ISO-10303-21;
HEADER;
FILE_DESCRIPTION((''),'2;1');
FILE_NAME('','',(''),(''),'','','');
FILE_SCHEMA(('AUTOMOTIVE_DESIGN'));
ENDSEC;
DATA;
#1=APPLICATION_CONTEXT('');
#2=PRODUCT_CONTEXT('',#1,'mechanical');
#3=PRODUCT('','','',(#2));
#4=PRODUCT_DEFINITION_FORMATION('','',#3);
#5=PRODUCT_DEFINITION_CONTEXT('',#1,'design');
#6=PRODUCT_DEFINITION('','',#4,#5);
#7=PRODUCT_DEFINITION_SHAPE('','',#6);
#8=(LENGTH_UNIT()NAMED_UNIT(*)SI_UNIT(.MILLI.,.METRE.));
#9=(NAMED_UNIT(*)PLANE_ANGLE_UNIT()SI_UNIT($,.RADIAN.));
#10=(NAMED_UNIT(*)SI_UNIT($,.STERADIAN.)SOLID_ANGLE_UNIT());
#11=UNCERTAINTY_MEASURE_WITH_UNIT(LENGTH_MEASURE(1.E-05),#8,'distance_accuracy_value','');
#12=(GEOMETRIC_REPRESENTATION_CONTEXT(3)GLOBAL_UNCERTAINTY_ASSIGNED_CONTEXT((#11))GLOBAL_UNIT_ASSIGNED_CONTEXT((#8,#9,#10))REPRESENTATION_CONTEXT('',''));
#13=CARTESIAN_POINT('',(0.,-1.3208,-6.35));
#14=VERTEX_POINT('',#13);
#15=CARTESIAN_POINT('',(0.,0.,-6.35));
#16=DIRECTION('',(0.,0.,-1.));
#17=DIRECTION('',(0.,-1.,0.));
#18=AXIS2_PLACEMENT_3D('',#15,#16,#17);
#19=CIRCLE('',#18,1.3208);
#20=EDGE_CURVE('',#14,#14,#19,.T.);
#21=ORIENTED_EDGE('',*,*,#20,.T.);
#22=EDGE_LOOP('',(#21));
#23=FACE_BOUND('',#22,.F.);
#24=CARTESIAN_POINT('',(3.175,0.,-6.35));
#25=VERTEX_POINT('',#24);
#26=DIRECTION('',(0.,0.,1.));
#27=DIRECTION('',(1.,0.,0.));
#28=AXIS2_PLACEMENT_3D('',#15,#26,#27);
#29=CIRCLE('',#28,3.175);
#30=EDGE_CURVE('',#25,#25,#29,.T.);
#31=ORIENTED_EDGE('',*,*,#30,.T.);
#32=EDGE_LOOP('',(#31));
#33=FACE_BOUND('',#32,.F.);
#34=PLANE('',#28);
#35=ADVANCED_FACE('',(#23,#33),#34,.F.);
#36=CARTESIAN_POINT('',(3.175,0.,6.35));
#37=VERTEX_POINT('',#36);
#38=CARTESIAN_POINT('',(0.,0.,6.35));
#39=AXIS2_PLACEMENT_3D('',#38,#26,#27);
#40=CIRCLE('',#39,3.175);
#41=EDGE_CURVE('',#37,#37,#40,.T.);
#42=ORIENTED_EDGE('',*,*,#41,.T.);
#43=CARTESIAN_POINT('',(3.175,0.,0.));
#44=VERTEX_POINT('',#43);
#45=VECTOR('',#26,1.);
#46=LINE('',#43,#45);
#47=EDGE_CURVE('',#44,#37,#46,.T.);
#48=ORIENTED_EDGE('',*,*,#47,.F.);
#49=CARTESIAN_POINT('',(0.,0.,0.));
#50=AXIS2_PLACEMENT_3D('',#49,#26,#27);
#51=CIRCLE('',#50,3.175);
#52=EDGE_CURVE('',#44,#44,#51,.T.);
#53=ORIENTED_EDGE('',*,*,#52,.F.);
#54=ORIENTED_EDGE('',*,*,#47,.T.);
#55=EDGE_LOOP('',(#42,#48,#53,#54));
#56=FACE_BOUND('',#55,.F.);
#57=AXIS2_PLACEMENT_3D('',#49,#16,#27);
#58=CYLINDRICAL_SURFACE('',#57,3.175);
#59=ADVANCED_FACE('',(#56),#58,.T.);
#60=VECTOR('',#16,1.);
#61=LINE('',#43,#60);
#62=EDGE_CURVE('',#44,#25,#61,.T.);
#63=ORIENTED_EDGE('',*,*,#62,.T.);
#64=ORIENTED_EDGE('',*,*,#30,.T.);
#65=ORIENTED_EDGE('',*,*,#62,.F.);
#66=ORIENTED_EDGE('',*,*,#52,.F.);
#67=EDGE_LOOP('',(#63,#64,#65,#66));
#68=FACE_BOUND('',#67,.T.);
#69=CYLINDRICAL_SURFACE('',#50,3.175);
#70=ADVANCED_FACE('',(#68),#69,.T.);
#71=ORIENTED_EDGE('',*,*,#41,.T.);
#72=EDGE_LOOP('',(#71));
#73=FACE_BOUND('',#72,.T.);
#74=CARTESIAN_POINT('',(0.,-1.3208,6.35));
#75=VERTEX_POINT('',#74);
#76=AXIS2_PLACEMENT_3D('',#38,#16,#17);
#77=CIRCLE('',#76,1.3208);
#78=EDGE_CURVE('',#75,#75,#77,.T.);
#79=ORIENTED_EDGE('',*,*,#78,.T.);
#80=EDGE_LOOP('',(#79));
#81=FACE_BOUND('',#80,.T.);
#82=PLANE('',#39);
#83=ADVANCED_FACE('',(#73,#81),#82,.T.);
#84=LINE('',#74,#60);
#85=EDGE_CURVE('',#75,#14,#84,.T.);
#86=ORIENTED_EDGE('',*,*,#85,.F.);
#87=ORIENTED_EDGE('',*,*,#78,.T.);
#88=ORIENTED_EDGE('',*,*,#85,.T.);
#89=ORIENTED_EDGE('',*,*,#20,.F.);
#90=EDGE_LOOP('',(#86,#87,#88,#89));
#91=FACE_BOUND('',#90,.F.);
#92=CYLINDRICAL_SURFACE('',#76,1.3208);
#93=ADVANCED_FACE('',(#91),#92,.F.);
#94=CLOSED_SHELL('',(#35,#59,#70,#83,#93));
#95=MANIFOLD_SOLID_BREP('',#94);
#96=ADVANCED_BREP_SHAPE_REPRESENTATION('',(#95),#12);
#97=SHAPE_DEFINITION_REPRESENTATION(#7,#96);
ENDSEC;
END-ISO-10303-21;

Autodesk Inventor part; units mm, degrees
ref_plane "YZ Plane" through (0, 0, 0) normal (1, 0, 0) x (0, 1, 0)
ref_plane "XZ Plane" through (0, 0, 0) normal (0, 1, 0) x (-1, 0, 0)
ref_plane "XY Plane" through (0, 0, 0) normal (0, 0, 1) x (1, 0, 0)
sketch "Sketch1" plane through (0, 0, 0) normal (0, 0, 1) x (1, 0, 0)
  circle A0 centre (0, 0) radius 3.175
  dimension "d0" = 6.35
extrude "Extrusion1" add sketch "Sketch1" along normal mid plane 12.7
sketch "Sketch2" plane through (0, 0, 6.35) normal (0, 0, 1) x (1, 0, 0)
  point P0 (0, 0)
  point P1 (0, 0)
hole "Hole1" at (0, 0, 6.35) direction (0, 0, -1) diameter 2.6416 end through all thread size "6-32 UNC" class "2B" standard "ANSI Unified Screw Threads"
properties part number "photo sensor standoff" material "ABS Plastic"
